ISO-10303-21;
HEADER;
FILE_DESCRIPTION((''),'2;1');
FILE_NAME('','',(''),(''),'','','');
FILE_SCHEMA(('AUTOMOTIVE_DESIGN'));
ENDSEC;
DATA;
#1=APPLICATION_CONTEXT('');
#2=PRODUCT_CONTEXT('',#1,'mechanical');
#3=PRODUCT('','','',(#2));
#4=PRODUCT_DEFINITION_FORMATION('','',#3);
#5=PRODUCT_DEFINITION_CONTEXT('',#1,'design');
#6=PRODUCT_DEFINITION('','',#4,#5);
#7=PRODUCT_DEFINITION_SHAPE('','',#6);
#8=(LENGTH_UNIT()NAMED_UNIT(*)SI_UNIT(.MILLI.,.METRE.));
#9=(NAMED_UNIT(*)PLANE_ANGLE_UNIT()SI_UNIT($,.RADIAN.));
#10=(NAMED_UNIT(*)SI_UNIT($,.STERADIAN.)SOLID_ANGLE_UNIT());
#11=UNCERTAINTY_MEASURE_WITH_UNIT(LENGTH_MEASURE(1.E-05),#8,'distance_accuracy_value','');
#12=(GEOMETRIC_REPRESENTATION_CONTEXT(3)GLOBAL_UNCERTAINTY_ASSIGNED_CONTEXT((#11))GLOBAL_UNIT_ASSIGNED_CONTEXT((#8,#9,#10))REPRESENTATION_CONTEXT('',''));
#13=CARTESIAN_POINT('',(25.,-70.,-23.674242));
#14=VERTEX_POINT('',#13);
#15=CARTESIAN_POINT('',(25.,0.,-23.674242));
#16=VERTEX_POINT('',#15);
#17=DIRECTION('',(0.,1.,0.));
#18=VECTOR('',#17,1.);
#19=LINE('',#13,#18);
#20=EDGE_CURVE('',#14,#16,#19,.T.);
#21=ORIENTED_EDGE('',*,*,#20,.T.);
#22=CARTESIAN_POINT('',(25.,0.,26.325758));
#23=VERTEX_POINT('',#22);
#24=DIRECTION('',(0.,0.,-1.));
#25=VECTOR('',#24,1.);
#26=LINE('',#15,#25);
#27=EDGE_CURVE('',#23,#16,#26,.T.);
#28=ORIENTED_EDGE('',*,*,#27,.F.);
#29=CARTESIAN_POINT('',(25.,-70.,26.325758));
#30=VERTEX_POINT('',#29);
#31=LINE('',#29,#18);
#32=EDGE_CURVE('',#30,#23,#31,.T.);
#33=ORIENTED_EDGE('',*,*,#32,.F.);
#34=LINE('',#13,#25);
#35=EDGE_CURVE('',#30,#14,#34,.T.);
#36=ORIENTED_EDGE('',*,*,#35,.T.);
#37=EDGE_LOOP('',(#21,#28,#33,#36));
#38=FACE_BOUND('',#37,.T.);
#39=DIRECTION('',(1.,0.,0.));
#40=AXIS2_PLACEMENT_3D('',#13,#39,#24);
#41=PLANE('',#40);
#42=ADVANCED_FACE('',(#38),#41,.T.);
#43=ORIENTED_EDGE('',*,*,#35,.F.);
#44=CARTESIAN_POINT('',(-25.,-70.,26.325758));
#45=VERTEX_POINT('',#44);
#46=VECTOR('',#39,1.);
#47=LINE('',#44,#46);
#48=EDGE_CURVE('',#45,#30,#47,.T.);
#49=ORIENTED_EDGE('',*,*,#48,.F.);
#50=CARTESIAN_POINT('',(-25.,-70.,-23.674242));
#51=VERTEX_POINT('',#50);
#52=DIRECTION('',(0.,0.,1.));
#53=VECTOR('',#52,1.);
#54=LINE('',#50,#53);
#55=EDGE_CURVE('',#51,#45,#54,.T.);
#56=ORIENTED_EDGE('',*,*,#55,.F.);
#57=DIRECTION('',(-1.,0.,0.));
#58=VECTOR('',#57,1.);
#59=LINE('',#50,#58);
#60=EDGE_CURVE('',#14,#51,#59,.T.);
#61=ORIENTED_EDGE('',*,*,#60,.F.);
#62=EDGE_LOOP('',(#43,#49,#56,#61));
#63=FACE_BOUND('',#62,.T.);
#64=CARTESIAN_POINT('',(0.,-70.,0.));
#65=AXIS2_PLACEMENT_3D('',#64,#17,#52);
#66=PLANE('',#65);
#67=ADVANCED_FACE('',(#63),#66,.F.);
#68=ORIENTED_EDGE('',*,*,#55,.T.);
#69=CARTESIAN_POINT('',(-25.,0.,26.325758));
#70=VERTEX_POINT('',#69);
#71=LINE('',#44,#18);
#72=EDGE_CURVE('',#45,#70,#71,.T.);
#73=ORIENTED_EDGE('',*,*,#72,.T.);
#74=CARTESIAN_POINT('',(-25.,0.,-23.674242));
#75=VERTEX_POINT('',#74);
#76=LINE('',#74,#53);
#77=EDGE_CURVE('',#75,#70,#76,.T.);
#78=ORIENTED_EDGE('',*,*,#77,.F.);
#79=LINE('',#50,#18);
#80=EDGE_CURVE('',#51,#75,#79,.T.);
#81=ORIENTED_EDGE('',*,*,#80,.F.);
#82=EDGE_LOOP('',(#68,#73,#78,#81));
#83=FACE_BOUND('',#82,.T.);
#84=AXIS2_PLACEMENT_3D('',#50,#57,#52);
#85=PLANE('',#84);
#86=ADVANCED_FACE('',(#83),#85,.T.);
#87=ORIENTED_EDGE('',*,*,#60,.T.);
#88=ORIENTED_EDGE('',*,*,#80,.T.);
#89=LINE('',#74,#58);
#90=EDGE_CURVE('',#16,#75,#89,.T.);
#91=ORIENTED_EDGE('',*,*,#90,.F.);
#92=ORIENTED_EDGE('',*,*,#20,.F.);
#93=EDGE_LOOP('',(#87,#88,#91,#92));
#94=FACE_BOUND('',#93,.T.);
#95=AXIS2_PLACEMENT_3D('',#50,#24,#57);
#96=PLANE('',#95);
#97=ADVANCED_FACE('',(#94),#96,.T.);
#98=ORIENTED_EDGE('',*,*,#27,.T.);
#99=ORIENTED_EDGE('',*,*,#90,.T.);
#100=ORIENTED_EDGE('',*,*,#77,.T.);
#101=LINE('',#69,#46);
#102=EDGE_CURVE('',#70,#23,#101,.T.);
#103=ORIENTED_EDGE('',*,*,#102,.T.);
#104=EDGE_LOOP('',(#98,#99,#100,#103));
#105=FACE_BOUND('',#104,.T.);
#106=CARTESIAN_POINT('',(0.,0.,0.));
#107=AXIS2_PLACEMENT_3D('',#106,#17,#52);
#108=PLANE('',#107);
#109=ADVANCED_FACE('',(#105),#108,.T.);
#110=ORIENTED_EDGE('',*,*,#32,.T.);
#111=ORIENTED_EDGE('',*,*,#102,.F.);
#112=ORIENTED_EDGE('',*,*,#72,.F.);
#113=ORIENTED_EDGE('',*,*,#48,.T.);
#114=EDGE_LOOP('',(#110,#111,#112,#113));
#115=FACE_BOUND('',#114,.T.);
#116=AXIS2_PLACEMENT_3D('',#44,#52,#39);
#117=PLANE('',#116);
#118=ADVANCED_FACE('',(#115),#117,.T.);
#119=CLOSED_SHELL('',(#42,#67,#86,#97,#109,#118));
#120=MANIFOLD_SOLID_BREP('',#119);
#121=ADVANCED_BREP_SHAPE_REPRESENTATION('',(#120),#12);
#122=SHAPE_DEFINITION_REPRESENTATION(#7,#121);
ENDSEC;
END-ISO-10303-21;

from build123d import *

# Parameters (mm, degrees)
SKETCH1_W           = 50
SKETCH1_H           = 50
BOSS_EXTRUDE1_DEPTH = 70


with BuildPart() as part:
    # Sketch1 → Boss-Extrude1 (new body)
    with BuildSketch(Plane(origin=(0, 0, 0), x_dir=(1, 0, 0), z_dir=(0, 1, 0))):
        with Locations((0, -1.325757576)):
            Rectangle(SKETCH1_W, SKETCH1_H)
    extrude(amount=-BOSS_EXTRUDE1_DEPTH)


solid = part.part
